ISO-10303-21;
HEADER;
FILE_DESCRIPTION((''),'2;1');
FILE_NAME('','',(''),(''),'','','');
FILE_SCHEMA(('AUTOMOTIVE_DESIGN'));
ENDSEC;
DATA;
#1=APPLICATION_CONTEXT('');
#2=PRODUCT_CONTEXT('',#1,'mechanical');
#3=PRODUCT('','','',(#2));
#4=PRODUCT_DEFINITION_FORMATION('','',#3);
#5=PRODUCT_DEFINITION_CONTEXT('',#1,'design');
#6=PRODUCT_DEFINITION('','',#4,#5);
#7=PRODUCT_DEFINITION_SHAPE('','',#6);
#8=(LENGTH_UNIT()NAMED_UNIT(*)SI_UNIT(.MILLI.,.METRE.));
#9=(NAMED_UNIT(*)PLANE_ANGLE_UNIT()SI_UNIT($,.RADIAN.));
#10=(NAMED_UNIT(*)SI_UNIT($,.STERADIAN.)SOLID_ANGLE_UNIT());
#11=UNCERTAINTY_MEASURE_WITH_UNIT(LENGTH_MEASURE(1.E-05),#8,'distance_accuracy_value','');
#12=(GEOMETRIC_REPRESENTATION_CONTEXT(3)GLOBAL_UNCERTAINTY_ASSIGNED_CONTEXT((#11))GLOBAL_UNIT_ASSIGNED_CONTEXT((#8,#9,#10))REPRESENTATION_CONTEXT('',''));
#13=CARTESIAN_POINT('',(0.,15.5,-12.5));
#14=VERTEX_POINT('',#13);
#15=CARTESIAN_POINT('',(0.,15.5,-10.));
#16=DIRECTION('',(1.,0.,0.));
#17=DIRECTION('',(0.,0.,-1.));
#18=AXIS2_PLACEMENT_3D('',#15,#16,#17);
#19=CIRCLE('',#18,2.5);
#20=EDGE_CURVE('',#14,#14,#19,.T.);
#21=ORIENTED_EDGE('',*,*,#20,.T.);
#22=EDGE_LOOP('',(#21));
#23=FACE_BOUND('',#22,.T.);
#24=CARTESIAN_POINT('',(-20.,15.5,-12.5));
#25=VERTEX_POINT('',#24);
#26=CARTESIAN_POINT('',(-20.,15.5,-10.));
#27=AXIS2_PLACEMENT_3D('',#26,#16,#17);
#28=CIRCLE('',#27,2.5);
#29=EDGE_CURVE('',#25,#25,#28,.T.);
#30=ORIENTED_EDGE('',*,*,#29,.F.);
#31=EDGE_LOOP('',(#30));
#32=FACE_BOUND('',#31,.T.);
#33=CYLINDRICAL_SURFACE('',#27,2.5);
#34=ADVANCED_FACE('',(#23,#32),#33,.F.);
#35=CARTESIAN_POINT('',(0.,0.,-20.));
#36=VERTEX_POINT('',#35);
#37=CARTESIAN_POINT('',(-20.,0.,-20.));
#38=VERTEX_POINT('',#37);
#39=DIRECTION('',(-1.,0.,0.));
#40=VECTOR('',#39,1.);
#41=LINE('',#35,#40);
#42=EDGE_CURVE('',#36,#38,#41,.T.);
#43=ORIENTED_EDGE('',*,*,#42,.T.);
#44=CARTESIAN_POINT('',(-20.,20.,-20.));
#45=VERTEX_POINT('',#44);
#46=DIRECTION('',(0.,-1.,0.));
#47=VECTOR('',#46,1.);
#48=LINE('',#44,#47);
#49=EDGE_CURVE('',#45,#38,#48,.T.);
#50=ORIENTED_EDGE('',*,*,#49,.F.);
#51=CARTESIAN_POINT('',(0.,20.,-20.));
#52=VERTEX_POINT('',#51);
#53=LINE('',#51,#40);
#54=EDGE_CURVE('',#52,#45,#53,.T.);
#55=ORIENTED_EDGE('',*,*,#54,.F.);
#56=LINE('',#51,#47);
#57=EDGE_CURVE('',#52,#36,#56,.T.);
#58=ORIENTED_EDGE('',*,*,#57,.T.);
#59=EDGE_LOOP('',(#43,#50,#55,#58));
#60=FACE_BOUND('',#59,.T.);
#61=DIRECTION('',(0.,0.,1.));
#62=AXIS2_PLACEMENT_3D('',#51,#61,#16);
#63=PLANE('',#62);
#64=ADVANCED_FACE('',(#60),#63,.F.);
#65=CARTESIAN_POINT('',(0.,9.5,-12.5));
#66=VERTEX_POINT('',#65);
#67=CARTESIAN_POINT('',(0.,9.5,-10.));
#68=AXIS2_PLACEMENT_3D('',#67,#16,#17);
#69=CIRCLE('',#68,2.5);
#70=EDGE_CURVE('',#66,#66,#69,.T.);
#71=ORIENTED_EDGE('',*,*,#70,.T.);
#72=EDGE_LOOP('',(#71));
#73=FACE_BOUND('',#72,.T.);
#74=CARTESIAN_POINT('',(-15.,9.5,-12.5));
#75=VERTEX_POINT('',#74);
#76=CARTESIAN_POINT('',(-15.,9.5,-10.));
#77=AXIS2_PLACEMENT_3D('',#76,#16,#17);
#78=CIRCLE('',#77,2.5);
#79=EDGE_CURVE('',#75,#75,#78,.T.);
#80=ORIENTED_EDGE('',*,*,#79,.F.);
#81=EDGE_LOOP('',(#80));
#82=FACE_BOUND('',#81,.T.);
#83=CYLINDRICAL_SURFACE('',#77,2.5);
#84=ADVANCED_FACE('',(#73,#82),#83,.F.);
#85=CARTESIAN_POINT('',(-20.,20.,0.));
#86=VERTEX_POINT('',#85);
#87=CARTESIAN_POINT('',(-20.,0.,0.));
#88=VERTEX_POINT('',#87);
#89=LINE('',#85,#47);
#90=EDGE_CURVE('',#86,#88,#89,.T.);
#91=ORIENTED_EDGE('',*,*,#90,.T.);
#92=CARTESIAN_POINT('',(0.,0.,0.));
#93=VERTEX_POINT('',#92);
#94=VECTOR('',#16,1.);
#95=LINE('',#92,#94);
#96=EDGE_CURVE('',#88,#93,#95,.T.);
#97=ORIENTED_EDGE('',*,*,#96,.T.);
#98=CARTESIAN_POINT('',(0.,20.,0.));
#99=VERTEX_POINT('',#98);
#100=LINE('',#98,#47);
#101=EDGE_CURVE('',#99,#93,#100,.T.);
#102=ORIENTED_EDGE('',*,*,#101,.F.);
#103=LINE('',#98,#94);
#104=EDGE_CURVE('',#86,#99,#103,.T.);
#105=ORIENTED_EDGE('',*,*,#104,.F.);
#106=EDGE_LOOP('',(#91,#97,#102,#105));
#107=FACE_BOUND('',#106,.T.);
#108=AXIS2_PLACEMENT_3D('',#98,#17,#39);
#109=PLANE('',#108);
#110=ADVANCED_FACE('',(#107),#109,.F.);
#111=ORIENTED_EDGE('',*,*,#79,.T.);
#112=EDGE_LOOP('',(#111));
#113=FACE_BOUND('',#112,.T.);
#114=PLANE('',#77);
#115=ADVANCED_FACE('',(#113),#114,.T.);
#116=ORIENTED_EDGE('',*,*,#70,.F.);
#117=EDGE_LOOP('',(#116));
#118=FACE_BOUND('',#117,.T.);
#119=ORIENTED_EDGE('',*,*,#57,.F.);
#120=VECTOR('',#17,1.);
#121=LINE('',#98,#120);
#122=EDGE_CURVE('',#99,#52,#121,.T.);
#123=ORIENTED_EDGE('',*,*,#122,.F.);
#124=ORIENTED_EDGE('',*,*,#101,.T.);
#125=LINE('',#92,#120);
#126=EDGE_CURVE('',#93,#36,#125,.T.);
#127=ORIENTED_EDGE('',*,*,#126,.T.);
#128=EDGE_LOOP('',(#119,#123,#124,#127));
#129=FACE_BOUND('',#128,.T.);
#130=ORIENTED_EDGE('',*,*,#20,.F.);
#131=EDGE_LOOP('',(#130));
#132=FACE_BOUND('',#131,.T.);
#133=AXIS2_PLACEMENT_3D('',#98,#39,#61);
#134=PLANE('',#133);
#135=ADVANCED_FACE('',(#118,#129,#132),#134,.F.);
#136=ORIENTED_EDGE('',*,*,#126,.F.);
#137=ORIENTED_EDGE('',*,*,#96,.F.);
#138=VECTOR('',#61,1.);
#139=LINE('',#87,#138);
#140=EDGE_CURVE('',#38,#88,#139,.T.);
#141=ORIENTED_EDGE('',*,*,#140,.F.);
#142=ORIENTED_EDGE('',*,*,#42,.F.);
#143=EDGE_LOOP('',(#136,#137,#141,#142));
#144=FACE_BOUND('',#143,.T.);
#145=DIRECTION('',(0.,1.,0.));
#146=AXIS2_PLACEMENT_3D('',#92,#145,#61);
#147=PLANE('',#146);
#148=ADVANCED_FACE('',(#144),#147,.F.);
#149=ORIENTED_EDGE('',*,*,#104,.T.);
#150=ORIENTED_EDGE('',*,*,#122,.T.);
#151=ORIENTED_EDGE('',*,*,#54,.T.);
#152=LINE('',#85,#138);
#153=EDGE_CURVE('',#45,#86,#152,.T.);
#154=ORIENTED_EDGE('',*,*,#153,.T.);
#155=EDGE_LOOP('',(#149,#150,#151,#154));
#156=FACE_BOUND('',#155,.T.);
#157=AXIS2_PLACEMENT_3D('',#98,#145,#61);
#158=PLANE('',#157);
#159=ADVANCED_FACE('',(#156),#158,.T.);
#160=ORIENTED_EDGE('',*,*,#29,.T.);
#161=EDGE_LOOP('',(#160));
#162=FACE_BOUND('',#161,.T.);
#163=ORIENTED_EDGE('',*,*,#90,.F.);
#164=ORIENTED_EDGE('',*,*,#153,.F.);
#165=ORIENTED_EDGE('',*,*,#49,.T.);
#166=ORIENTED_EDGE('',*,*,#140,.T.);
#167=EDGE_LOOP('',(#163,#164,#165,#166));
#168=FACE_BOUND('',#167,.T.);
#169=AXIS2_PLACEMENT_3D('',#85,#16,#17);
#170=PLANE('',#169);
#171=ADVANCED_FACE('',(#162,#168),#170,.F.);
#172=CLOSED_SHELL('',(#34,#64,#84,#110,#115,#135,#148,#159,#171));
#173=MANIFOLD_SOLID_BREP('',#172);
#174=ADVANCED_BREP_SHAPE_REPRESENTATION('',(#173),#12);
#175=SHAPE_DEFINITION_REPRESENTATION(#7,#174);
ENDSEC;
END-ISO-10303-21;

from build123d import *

# Parameters (mm, degrees)
SKETCH1_W           = 20
SKETCH1_H           = 20
BOSS_EXTRUDE1_DEPTH = 20
SKETCH3_R           = 2.5
CUT_EXTRUDE1_DEPTH  = 35.641016151
SKETCH4_R           = 2.5
CUT_EXTRUDE2_DEPTH  = 15


with BuildPart() as part:
    # Sketch1 → Boss-Extrude1 (new body)
    with BuildSketch(Plane(origin=(0, 0, 0), x_dir=(1, 0, 0), z_dir=(0, 1, 0))):
        with Locations((-10, 10)):
            Rectangle(SKETCH1_W, SKETCH1_H)
    extrude(amount=BOSS_EXTRUDE1_DEPTH)

    # Sketch3 → Cut-Extrude1 (cut, through all)
    with BuildSketch(Plane(origin=(0, 0, 0), x_dir=(0, 0, -1), z_dir=(1, 0, 0))):
        with Locations((10, 15.5)):
            Circle(SKETCH3_R)
    extrude(amount=-CUT_EXTRUDE1_DEPTH, mode=Mode.SUBTRACT)

    # Sketch4 → Cut-Extrude2 (cut)
    with BuildSketch(Plane(origin=(0, 0, 0), x_dir=(0, 0, -1), z_dir=(1, 0, 0))):
        with Locations((10, 9.5)):
            Circle(SKETCH4_R)
    extrude(amount=-CUT_EXTRUDE2_DEPTH, mode=Mode.SUBTRACT)


solid = part.part
